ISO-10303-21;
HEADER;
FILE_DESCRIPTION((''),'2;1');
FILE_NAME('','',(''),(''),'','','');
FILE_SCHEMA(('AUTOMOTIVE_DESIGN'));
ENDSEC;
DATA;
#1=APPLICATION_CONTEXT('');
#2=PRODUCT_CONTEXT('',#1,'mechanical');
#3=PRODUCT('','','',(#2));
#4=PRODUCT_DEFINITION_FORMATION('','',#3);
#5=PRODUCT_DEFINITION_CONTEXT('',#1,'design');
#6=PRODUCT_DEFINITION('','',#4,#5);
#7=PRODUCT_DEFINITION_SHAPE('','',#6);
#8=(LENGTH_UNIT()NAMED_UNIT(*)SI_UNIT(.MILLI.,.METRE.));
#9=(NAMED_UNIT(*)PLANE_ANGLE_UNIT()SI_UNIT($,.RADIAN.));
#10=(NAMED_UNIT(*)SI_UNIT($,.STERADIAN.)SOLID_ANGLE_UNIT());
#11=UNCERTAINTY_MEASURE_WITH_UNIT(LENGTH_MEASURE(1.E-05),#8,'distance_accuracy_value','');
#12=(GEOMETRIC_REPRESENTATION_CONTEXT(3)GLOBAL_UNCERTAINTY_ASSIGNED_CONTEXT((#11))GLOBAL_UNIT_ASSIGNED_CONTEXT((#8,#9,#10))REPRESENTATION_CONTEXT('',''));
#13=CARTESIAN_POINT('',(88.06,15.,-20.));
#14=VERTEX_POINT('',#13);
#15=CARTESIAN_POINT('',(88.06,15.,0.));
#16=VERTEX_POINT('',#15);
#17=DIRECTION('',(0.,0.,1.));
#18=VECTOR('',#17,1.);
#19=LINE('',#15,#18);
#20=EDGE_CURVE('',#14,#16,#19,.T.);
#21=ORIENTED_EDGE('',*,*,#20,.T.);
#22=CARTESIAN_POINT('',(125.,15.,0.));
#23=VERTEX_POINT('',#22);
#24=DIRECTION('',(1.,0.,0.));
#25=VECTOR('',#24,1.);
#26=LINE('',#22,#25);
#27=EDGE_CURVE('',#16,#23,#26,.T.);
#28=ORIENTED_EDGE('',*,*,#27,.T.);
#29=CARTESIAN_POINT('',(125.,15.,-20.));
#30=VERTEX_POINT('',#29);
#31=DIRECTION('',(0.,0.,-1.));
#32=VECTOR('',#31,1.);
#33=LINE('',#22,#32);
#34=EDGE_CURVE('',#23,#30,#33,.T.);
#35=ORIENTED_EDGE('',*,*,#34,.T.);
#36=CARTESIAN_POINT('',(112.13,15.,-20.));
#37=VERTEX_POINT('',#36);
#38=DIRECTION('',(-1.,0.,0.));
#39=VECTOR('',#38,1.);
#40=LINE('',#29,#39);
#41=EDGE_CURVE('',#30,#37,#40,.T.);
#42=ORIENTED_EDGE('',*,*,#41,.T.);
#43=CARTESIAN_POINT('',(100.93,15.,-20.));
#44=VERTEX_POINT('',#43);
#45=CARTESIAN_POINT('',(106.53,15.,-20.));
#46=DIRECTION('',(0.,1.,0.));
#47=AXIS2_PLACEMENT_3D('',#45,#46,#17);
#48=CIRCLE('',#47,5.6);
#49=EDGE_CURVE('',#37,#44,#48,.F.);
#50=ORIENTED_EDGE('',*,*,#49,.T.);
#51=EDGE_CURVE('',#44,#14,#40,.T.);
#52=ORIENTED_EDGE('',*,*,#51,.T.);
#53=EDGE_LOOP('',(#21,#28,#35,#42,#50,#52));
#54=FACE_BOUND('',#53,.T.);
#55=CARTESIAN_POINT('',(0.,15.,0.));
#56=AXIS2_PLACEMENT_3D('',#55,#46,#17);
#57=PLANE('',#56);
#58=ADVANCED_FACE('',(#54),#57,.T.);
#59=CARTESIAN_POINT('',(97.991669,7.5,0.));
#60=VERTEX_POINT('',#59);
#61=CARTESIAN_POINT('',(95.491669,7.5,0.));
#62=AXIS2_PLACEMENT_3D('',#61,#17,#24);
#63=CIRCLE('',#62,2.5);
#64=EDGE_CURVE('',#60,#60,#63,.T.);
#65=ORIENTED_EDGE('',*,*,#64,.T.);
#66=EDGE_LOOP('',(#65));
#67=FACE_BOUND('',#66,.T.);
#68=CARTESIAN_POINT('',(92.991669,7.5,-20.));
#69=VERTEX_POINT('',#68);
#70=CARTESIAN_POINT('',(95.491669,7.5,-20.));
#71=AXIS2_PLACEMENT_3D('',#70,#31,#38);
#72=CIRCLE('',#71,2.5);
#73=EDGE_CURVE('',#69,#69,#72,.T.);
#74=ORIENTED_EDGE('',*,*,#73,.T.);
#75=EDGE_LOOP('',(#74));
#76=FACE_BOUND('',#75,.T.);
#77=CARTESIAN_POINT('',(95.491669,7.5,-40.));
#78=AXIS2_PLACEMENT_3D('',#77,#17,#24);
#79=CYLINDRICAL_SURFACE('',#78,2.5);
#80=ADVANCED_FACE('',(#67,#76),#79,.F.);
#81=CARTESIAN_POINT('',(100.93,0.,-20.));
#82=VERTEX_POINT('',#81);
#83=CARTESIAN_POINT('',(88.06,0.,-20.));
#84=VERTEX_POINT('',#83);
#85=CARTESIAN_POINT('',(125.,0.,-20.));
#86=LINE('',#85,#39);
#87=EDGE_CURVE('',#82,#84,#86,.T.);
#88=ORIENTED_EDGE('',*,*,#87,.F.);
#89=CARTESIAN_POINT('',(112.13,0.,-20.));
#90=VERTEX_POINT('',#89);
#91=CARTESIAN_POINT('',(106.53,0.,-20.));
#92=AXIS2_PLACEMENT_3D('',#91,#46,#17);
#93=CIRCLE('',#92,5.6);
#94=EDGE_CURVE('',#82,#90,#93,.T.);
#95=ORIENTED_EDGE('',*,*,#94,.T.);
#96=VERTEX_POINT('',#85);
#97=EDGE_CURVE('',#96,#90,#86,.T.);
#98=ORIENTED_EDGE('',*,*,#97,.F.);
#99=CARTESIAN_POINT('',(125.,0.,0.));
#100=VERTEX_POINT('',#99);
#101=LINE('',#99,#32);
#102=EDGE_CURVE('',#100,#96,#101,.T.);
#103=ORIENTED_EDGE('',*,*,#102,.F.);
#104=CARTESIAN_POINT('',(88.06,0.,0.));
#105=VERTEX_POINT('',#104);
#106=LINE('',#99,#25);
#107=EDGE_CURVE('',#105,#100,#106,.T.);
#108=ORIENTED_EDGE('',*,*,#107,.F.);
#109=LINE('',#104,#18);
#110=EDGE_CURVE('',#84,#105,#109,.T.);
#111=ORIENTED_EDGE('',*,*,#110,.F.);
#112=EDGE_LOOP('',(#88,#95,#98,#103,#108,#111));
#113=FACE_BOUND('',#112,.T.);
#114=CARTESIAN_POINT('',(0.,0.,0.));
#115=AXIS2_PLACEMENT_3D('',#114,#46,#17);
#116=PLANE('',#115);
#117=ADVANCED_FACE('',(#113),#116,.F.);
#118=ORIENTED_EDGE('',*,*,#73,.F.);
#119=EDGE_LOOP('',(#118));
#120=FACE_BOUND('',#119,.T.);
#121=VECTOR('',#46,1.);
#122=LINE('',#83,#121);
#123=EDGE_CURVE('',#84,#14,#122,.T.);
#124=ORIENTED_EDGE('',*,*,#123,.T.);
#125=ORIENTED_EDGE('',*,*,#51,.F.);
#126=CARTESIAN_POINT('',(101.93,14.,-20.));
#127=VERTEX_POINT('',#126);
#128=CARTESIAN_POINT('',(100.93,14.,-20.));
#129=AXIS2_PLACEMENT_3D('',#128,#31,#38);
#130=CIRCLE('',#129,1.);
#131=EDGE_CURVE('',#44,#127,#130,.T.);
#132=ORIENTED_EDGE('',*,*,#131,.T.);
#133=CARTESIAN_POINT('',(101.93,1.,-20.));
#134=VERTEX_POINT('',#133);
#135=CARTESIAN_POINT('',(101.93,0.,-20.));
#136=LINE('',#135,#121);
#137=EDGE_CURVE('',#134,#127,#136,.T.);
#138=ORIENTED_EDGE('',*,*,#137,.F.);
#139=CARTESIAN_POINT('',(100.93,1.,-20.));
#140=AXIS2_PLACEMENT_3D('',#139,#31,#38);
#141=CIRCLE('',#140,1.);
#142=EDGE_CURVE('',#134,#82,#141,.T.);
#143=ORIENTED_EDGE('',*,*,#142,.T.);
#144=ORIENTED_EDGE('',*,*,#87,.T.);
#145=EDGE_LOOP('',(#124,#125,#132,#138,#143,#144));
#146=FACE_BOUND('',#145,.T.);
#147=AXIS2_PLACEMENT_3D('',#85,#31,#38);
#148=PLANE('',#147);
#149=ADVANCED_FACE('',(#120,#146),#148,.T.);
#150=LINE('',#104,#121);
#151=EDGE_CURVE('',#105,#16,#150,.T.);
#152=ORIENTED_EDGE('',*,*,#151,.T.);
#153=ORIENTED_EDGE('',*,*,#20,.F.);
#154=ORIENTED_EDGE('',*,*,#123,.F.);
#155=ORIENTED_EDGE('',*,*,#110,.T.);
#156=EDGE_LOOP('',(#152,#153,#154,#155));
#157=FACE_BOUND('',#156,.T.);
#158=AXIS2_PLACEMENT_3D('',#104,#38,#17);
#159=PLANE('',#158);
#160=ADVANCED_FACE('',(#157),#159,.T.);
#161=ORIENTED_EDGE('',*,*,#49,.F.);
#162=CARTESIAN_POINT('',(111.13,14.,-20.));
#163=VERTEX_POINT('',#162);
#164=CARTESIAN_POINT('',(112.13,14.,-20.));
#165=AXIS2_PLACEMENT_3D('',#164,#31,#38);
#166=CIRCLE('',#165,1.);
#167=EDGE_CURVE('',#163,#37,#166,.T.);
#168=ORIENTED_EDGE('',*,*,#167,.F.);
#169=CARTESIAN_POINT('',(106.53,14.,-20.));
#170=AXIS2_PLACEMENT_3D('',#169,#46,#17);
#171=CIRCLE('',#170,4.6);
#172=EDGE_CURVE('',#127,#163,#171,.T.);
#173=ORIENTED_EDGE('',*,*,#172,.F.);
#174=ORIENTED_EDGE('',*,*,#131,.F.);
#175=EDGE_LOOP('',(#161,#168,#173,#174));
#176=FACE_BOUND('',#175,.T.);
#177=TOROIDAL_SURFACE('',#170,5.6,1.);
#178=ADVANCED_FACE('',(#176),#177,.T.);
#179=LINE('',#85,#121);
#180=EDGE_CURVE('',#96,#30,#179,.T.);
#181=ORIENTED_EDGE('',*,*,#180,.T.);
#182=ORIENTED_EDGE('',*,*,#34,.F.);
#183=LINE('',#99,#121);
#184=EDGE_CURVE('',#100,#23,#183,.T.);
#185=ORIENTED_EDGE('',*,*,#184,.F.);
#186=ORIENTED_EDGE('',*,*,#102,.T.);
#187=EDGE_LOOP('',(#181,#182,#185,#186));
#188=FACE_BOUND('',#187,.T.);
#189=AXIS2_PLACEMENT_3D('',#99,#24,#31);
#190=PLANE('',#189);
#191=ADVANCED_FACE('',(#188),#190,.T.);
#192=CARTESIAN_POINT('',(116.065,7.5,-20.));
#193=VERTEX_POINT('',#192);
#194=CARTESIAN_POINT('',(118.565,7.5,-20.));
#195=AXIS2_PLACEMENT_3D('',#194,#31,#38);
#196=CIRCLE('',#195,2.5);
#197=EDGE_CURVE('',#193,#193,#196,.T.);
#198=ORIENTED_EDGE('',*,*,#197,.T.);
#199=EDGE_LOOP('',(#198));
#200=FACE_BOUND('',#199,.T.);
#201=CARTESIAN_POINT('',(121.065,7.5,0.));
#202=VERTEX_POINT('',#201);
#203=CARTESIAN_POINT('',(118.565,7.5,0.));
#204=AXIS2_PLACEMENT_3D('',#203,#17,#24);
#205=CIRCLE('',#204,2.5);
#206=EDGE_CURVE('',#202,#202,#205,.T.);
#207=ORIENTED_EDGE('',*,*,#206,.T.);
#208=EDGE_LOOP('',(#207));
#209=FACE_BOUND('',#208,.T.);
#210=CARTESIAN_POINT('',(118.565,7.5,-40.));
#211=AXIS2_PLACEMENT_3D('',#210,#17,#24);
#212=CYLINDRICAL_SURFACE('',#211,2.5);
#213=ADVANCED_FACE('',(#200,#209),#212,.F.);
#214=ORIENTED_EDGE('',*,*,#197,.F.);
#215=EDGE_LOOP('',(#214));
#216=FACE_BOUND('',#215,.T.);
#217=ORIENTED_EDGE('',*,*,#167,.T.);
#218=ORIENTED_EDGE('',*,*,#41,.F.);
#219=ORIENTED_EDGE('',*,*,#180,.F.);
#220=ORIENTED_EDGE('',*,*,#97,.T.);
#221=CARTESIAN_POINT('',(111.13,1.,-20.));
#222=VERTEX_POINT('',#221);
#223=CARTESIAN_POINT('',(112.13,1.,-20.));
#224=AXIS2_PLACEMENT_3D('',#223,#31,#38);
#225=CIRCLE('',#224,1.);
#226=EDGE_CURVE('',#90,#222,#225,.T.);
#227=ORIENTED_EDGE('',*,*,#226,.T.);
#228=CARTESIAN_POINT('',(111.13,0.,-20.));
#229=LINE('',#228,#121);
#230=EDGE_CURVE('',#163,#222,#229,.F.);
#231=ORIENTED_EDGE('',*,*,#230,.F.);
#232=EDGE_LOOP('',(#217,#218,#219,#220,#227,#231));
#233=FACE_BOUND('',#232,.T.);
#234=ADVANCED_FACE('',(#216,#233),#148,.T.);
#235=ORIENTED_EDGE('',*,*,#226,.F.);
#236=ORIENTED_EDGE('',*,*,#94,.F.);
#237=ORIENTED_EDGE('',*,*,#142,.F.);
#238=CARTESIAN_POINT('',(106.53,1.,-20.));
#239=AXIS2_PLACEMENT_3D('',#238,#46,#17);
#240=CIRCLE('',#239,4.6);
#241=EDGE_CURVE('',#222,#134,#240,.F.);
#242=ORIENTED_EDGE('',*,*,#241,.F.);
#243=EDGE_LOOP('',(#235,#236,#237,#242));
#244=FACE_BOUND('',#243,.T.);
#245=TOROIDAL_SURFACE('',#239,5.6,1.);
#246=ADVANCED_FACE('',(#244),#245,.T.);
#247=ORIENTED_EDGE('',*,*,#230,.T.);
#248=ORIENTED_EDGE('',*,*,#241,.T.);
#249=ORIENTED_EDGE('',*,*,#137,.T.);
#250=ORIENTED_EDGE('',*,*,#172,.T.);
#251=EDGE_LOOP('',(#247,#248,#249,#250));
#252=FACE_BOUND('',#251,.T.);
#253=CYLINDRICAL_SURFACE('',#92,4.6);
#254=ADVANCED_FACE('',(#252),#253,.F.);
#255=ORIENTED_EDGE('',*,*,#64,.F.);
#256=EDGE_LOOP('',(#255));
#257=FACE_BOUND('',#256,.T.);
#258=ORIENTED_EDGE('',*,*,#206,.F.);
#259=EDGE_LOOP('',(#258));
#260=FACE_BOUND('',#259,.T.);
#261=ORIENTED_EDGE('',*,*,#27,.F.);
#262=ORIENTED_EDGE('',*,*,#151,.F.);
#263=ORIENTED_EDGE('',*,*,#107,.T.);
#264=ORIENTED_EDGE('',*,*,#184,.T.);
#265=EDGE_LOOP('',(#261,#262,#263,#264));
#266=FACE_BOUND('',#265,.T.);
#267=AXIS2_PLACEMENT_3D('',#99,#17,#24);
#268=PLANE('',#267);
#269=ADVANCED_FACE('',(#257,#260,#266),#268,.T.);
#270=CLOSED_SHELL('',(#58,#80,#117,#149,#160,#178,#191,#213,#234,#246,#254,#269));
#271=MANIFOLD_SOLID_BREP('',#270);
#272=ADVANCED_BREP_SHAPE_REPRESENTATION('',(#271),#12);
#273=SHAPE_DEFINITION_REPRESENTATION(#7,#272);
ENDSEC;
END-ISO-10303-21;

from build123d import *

# Parameters (mm, degrees)
SKETCH_1_W          = 125
SKETCH_1_H          = 40
EXTRUDE_1_DEPTH     = 15
SKETCH_2_R          = 8.9
SKETCH_2_R_2        = 4.6
SKETCH_2_R_3        = 13.3
CUT_EXTRUDE_1_DEPTH = 133.098448136
CHAMFER_1_SIZE      = 1
CHAMFER_2_SIZE      = 1
FILLET_1_R          = 1
SKETCH_5_W          = 40
SKETCH_5_H          = 20
CUT_EXTRUDE_2_DEPTH = 133.098448148
FILLET_4_R          = 5
SKETCH_12_W         = 3.06
SKETCH_12_H         = 20
EXTRUDE_2_DEPTH     = 15
SKETCH_14_R         = 2.5
CUT_EXTRUDE_3_DEPTH = 128.47548784
SKETCH_15_W         = 36.94
SKETCH_15_H         = 20
EXTRUDE_3_DEPTH     = 15
SKETCH_16_W         = 106.425382254
SKETCH_16_H         = 56.336912026
CUT_EXTRUDE_4_DEPTH = 133.098448148
SKETCH_17_R         = 2.5
CUT_EXTRUDE_5_DEPTH = 133.098448136
SKETCH_18_R         = 4.6
CUT_EXTRUDE_6_DEPTH = 133.098448136
FILLET_5_R          = 1
SKETCH_19_W         = 47.376769249
SKETCH_19_H         = 22.00625663
CUT_EXTRUDE_7_DEPTH = 133.098448148
FILLET_6_R          = 1


with BuildPart() as part:
    # 草圖1 → 填料-伸長1 (new body)
    with BuildSketch(Plane(origin=(0, 0, 0), x_dir=(1, 0, 0), z_dir=(0, 1, 0))):
        with Locations((62.5, 20)):
            Rectangle(SKETCH_1_W, SKETCH_1_H)
    extrude(amount=EXTRUDE_1_DEPTH)

    # 草圖2 → 除料-伸長1 (cut, through all)
    with BuildSketch(Plane(origin=(0, 15, 0), x_dir=(1, 0, 0), z_dir=(0, 1, 0))):
        with Locations(Location((18.526668527, 20, 0), (0, 0, 270))):
            Circle(SKETCH_2_R)
        with Locations(Location((106.526668527, 20, 0), (0, 0, 270))):
            Circle(SKETCH_2_R_2)
        with Locations(Location((62.526668527, 20, 0), (0, 0, 270))):
            Circle(SKETCH_2_R_3)
    extrude(amount=-CUT_EXTRUDE_1_DEPTH, mode=Mode.SUBTRACT)

    # 導角1
    chamfer_1_edges = [part.edges().sort_by_distance(p)[0] for p in [
        (18.526668527, 15, -28.9),
    ]]
    chamfer(chamfer_1_edges, length=CHAMFER_1_SIZE)

    # 導角2
    chamfer_2_edges = [part.edges().sort_by_distance(p)[0] for p in [
        (18.526668527, 0, -28.9),
    ]]
    chamfer(chamfer_2_edges, length=CHAMFER_2_SIZE)

    # 圓角1
    fillet_1_edges = [part.edges().sort_by_distance(p)[0] for p in [
        (106.526668527, 0, -24.6),
        (106.526668527, 15, -24.6),
        (62.526668527, 0, -33.3),
        (62.526668527, 15, -33.3),
    ]]
    fillet(fillet_1_edges, radius=FILLET_1_R)

    # 草圖5 → 除料-伸長2 (cut, through all)
    with BuildSketch(Plane(origin=(0, 15, 0), x_dir=(1, 0, 0), z_dir=(0, 1, 0))):
        with Locations((105, 10)):
            Rectangle(SKETCH_5_W, SKETCH_5_H)
    extrude(amount=-CUT_EXTRUDE_2_DEPTH, mode=Mode.SUBTRACT)

    # 圓角4
    fillet_4_edges = [part.edges().sort_by_distance(p)[0] for p in [
        (0, 7.5, -40),
        (0, 7.5, 0),
    ]]
    fillet(fillet_4_edges, radius=FILLET_4_R)

    # 草圖12 → 填料-伸長2 (add)
    with BuildSketch(Plane(origin=(0, 15, 0), x_dir=(1, 0, 0), z_dir=(0, 1, 0))):
        with Locations((86.53, 10)):
            Rectangle(SKETCH_12_W, SKETCH_12_H)
    extrude(amount=-EXTRUDE_2_DEPTH)

    # 草圖14 → 除料-伸長3 (cut, through all)
    with BuildSketch(Plane.XY.offset(-20)):
        with Locations((118.565, 7.5)):
            Circle(SKETCH_14_R)
        with Locations((95.491668527, 7.5)):
            Circle(SKETCH_14_R)
    extrude(amount=-CUT_EXTRUDE_3_DEPTH, mode=Mode.SUBTRACT)

    # 草圖16 → 除料-伸長4 (cut, through all)
    with BuildSketch(Plane(origin=(0, 15, 0), x_dir=(1, 0, 0), z_dir=(0, 1, 0))):
        with Locations((34.847308873, 28.168456013)):
            Rectangle(SKETCH_16_W, SKETCH_16_H)
    extrude(amount=-CUT_EXTRUDE_4_DEPTH, mode=Mode.SUBTRACT)


with BuildPart() as body_2:
    # 草圖15 → 填料-伸長3 (new body)
    with BuildSketch(Plane(origin=(0, 15, 0), x_dir=(1, 0, 0), z_dir=(0, 1, 0))):
        with Locations((106.53, 10)):
            Rectangle(SKETCH_15_W, SKETCH_15_H)
    extrude(amount=-EXTRUDE_3_DEPTH)

    # 草圖17 → 除料-伸長5 (cut, through all)
    with BuildSketch(Plane.XY):
        with Locations((95.491668527, 7.5)):
            Circle(SKETCH_17_R)
        with Locations((118.565, 7.5)):
            Circle(SKETCH_17_R)
    extrude(amount=-CUT_EXTRUDE_5_DEPTH, mode=Mode.SUBTRACT)


with BuildPart() as cut_extrude_6_tool:
    # 草圖18 → 除料-伸長6 (new, through all)
    with BuildSketch(Plane(origin=(0, 15, 0), x_dir=(1, 0, 0), z_dir=(0, 1, 0))):
        with Locations((106.53, 20)):
            Circle(SKETCH_18_R)
    extrude(amount=-CUT_EXTRUDE_6_DEPTH)


with BuildPart() as part_1:
    add(part.part)

    # 除料-伸長6: cut by cut_extrude_6_tool
    add(cut_extrude_6_tool.part, mode=Mode.SUBTRACT)

    # 草圖19 → 除料-伸長7 (cut, through all)
    with BuildSketch(Plane(origin=(0, 15, 0), x_dir=(1, 0, 0), z_dir=(0, 1, 0))):
        with Locations((111.748384625, 31.003128315)):
            Rectangle(SKETCH_19_W, SKETCH_19_H)
    extrude(amount=-CUT_EXTRUDE_7_DEPTH, mode=Mode.SUBTRACT)


with BuildPart() as body_2_1:
    add(body_2.part)

    # 除料-伸長6: cut by cut_extrude_6_tool
    add(cut_extrude_6_tool.part, mode=Mode.SUBTRACT)

    # 圓角5
    fillet_5_edges = [body_2_1.edges().sort_by_distance(p)[0] for p in [
        (106.53, 15, -15.4),
    ]]
    fillet(fillet_5_edges, radius=FILLET_5_R)

    # 圓角6
    fillet_6_edges = [body_2_1.edges().sort_by_distance(p)[0] for p in [
        (106.53, 0, -15.4),
    ]]
    fillet(fillet_6_edges, radius=FILLET_6_R)


solid = body_2_1.part
